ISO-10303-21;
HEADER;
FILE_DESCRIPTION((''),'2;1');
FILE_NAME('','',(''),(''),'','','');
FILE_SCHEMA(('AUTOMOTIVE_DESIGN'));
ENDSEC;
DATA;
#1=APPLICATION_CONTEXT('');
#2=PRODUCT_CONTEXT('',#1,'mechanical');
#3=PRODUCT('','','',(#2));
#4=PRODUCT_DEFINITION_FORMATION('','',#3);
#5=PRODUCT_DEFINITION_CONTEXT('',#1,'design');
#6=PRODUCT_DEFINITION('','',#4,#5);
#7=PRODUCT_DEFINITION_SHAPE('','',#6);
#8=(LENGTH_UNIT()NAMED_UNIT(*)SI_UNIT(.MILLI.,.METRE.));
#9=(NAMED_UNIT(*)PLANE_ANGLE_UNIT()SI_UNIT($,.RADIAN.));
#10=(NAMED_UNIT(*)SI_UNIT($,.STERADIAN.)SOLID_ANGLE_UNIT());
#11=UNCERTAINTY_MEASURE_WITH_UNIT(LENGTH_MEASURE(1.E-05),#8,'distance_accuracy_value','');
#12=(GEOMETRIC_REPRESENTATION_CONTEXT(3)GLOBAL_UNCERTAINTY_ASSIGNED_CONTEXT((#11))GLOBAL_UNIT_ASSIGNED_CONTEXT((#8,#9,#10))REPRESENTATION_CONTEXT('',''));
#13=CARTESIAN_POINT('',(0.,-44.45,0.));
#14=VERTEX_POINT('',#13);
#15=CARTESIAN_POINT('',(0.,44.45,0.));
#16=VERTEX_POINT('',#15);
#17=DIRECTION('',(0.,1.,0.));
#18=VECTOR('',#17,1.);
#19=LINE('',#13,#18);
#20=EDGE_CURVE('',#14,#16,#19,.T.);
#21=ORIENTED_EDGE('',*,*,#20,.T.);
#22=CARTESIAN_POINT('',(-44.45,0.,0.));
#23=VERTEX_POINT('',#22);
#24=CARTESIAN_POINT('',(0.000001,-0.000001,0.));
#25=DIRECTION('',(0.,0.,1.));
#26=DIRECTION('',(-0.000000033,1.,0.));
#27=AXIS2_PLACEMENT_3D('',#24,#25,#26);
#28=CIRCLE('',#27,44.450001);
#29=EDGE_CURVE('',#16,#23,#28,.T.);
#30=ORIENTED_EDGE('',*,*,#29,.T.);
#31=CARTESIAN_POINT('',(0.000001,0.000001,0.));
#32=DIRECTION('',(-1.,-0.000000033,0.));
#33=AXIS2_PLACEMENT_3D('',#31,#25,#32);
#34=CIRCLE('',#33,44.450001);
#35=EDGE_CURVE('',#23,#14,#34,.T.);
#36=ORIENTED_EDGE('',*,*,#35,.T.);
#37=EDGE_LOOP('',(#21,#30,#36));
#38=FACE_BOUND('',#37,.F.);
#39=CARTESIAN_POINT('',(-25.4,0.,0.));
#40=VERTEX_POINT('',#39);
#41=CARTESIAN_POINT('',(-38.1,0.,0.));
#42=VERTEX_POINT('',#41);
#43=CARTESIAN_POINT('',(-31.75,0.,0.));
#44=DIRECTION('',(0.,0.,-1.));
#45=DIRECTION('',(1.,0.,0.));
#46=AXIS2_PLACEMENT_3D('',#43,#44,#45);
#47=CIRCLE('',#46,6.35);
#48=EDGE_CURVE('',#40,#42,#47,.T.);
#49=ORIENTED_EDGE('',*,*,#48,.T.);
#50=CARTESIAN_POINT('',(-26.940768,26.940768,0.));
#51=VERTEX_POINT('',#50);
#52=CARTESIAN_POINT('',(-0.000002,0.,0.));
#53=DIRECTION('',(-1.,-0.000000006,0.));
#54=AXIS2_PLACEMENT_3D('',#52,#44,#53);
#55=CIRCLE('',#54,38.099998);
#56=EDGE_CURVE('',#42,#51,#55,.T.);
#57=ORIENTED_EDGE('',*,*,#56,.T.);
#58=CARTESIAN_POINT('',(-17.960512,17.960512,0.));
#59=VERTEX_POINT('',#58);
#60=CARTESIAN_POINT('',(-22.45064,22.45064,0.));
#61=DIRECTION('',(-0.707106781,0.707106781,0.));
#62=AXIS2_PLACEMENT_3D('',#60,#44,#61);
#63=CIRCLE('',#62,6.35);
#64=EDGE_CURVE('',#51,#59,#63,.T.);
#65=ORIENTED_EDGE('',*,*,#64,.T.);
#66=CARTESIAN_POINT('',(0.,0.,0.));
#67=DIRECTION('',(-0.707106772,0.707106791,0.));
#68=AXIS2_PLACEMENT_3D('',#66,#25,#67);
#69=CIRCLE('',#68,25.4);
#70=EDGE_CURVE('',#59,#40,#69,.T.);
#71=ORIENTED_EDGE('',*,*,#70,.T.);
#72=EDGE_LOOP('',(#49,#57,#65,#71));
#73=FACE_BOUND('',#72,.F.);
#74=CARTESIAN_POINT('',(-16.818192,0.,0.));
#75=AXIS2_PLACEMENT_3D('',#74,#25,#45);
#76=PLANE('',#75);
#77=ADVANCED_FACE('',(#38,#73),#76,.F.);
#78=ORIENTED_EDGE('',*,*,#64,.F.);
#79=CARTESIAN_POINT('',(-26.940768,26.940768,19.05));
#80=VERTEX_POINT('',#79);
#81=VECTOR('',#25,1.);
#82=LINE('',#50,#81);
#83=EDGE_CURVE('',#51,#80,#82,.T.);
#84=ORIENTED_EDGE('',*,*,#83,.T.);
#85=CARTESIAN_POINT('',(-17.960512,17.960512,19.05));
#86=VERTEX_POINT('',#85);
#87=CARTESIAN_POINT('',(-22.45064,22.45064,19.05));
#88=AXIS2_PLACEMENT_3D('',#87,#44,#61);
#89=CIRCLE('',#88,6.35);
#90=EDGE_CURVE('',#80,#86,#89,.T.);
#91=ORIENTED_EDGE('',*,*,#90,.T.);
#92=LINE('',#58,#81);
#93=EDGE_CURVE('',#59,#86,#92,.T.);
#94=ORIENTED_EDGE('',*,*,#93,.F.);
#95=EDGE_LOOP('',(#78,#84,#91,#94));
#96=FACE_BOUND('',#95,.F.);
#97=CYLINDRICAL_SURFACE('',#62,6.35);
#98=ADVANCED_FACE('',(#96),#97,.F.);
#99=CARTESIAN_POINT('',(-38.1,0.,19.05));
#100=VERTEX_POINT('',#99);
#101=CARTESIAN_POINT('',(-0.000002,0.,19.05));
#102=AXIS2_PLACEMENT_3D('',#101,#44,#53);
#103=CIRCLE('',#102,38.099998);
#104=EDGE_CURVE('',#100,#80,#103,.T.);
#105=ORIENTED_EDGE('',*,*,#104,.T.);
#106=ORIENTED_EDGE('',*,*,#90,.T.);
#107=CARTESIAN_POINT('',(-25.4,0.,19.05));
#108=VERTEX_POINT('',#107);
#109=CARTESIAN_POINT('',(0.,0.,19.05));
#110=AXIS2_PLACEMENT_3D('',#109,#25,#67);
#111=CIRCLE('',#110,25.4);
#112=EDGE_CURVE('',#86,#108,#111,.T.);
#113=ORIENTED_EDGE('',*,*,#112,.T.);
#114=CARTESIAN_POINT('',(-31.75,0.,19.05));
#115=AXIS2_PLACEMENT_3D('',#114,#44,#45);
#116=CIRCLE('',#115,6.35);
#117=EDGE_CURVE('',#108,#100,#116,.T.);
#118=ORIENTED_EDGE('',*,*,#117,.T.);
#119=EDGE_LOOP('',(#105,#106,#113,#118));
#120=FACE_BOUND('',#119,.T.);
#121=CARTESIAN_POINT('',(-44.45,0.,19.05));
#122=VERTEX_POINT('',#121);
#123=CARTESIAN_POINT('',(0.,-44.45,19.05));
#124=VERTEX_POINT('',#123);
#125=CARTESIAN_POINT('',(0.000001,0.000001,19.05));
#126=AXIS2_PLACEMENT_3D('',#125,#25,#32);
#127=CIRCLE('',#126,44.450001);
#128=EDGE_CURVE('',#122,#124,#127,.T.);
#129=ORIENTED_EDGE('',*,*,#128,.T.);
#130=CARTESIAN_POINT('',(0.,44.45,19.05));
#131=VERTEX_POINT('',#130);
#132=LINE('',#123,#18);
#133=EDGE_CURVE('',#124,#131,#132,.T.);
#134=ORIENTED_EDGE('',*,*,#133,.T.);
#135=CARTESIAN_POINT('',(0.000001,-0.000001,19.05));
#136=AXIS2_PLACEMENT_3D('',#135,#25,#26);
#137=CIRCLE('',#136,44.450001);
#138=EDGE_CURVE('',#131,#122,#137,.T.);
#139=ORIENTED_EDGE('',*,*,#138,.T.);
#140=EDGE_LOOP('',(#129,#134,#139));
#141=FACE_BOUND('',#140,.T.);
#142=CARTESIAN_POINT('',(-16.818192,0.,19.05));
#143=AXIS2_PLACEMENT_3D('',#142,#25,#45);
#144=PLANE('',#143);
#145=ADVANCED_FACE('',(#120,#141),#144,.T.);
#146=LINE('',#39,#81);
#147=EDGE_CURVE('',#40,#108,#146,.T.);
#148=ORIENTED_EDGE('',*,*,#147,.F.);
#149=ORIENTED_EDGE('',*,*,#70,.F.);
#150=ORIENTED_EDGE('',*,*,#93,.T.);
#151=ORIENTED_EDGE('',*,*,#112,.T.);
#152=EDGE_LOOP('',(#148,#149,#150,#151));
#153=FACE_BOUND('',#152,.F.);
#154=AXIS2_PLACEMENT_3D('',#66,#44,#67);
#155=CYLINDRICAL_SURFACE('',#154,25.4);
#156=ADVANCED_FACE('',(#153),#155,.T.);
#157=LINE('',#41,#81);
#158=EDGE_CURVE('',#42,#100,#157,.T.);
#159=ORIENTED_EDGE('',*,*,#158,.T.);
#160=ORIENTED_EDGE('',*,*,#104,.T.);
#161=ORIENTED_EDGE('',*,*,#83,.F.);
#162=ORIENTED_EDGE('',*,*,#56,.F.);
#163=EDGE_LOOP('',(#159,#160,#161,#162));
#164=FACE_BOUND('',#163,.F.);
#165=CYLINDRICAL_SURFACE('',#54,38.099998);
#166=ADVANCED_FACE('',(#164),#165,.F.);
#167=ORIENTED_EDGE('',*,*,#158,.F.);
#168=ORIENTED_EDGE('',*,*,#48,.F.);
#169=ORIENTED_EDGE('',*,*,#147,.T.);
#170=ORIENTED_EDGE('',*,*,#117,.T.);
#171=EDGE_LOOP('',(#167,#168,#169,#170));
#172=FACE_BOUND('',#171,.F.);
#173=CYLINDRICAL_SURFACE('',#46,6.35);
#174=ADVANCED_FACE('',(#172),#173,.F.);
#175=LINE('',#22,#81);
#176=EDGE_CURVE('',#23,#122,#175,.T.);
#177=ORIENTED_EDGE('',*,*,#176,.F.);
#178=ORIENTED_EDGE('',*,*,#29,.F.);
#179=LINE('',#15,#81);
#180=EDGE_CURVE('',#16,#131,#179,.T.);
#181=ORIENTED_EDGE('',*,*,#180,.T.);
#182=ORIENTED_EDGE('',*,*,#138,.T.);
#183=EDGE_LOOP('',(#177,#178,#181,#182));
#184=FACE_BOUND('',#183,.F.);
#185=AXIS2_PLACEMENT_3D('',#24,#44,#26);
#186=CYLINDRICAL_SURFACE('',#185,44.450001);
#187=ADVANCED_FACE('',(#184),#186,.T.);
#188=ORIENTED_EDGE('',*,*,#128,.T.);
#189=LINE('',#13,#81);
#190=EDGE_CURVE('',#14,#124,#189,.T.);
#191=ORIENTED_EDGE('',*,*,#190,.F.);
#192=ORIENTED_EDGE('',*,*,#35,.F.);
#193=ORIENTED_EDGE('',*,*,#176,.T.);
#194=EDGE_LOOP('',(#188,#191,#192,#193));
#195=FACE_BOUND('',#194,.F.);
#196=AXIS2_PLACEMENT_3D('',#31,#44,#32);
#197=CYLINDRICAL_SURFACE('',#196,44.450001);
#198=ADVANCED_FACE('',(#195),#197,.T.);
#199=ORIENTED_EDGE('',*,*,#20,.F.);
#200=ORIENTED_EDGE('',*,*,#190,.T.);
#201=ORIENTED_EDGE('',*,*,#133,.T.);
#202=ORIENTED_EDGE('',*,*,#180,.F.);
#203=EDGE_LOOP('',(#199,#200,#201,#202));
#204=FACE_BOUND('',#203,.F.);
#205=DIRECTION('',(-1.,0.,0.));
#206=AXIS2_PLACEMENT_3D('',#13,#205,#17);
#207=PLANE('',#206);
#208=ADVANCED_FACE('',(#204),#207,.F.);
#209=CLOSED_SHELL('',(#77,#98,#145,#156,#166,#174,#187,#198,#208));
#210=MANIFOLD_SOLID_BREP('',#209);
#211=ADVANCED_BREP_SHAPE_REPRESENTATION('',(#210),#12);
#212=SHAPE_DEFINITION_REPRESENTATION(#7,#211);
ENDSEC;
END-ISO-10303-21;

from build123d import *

# Parameters (mm, degrees)
F1_DEPTH = 19.05


with BuildPart() as f1:
    # F0 (on Top) → F1 (new body)
    with BuildSketch(Plane.XY):
        with BuildLine():
            Line((0, 38.1), (0, 44.45))
            ThreePointArc((0, 44.45), (-31.430896, 31.430896), (-44.45, 0))
            ThreePointArc((-44.45, 0), (-31.430896, -31.430896), (0, -44.45))
            Line((0, -44.45), (0, -38.1))
            Line((0, -38.1), (0, -25.4))
            Line((0, -25.4), (0, 25.4))
            Line((0, 25.4), (0, 38.1))
        make_face()
        with BuildLine():
            ThreePointArc((-25.4, 0), (-31.75, -6.35), (-38.1, 0))
            ThreePointArc((-38.1, 0), (-35.19981, 14.580239), (-26.940768, 26.940768))
            ThreePointArc((-26.940768, 26.940768), (-17.960512, 26.940768), (-17.960512, 17.960512))
            ThreePointArc((-17.960512, 17.960512), (-23.46654, 9.720159), (-25.4, 0))
        make_face(mode=Mode.SUBTRACT)
    extrude(amount=F1_DEPTH)


solid = f1.part
